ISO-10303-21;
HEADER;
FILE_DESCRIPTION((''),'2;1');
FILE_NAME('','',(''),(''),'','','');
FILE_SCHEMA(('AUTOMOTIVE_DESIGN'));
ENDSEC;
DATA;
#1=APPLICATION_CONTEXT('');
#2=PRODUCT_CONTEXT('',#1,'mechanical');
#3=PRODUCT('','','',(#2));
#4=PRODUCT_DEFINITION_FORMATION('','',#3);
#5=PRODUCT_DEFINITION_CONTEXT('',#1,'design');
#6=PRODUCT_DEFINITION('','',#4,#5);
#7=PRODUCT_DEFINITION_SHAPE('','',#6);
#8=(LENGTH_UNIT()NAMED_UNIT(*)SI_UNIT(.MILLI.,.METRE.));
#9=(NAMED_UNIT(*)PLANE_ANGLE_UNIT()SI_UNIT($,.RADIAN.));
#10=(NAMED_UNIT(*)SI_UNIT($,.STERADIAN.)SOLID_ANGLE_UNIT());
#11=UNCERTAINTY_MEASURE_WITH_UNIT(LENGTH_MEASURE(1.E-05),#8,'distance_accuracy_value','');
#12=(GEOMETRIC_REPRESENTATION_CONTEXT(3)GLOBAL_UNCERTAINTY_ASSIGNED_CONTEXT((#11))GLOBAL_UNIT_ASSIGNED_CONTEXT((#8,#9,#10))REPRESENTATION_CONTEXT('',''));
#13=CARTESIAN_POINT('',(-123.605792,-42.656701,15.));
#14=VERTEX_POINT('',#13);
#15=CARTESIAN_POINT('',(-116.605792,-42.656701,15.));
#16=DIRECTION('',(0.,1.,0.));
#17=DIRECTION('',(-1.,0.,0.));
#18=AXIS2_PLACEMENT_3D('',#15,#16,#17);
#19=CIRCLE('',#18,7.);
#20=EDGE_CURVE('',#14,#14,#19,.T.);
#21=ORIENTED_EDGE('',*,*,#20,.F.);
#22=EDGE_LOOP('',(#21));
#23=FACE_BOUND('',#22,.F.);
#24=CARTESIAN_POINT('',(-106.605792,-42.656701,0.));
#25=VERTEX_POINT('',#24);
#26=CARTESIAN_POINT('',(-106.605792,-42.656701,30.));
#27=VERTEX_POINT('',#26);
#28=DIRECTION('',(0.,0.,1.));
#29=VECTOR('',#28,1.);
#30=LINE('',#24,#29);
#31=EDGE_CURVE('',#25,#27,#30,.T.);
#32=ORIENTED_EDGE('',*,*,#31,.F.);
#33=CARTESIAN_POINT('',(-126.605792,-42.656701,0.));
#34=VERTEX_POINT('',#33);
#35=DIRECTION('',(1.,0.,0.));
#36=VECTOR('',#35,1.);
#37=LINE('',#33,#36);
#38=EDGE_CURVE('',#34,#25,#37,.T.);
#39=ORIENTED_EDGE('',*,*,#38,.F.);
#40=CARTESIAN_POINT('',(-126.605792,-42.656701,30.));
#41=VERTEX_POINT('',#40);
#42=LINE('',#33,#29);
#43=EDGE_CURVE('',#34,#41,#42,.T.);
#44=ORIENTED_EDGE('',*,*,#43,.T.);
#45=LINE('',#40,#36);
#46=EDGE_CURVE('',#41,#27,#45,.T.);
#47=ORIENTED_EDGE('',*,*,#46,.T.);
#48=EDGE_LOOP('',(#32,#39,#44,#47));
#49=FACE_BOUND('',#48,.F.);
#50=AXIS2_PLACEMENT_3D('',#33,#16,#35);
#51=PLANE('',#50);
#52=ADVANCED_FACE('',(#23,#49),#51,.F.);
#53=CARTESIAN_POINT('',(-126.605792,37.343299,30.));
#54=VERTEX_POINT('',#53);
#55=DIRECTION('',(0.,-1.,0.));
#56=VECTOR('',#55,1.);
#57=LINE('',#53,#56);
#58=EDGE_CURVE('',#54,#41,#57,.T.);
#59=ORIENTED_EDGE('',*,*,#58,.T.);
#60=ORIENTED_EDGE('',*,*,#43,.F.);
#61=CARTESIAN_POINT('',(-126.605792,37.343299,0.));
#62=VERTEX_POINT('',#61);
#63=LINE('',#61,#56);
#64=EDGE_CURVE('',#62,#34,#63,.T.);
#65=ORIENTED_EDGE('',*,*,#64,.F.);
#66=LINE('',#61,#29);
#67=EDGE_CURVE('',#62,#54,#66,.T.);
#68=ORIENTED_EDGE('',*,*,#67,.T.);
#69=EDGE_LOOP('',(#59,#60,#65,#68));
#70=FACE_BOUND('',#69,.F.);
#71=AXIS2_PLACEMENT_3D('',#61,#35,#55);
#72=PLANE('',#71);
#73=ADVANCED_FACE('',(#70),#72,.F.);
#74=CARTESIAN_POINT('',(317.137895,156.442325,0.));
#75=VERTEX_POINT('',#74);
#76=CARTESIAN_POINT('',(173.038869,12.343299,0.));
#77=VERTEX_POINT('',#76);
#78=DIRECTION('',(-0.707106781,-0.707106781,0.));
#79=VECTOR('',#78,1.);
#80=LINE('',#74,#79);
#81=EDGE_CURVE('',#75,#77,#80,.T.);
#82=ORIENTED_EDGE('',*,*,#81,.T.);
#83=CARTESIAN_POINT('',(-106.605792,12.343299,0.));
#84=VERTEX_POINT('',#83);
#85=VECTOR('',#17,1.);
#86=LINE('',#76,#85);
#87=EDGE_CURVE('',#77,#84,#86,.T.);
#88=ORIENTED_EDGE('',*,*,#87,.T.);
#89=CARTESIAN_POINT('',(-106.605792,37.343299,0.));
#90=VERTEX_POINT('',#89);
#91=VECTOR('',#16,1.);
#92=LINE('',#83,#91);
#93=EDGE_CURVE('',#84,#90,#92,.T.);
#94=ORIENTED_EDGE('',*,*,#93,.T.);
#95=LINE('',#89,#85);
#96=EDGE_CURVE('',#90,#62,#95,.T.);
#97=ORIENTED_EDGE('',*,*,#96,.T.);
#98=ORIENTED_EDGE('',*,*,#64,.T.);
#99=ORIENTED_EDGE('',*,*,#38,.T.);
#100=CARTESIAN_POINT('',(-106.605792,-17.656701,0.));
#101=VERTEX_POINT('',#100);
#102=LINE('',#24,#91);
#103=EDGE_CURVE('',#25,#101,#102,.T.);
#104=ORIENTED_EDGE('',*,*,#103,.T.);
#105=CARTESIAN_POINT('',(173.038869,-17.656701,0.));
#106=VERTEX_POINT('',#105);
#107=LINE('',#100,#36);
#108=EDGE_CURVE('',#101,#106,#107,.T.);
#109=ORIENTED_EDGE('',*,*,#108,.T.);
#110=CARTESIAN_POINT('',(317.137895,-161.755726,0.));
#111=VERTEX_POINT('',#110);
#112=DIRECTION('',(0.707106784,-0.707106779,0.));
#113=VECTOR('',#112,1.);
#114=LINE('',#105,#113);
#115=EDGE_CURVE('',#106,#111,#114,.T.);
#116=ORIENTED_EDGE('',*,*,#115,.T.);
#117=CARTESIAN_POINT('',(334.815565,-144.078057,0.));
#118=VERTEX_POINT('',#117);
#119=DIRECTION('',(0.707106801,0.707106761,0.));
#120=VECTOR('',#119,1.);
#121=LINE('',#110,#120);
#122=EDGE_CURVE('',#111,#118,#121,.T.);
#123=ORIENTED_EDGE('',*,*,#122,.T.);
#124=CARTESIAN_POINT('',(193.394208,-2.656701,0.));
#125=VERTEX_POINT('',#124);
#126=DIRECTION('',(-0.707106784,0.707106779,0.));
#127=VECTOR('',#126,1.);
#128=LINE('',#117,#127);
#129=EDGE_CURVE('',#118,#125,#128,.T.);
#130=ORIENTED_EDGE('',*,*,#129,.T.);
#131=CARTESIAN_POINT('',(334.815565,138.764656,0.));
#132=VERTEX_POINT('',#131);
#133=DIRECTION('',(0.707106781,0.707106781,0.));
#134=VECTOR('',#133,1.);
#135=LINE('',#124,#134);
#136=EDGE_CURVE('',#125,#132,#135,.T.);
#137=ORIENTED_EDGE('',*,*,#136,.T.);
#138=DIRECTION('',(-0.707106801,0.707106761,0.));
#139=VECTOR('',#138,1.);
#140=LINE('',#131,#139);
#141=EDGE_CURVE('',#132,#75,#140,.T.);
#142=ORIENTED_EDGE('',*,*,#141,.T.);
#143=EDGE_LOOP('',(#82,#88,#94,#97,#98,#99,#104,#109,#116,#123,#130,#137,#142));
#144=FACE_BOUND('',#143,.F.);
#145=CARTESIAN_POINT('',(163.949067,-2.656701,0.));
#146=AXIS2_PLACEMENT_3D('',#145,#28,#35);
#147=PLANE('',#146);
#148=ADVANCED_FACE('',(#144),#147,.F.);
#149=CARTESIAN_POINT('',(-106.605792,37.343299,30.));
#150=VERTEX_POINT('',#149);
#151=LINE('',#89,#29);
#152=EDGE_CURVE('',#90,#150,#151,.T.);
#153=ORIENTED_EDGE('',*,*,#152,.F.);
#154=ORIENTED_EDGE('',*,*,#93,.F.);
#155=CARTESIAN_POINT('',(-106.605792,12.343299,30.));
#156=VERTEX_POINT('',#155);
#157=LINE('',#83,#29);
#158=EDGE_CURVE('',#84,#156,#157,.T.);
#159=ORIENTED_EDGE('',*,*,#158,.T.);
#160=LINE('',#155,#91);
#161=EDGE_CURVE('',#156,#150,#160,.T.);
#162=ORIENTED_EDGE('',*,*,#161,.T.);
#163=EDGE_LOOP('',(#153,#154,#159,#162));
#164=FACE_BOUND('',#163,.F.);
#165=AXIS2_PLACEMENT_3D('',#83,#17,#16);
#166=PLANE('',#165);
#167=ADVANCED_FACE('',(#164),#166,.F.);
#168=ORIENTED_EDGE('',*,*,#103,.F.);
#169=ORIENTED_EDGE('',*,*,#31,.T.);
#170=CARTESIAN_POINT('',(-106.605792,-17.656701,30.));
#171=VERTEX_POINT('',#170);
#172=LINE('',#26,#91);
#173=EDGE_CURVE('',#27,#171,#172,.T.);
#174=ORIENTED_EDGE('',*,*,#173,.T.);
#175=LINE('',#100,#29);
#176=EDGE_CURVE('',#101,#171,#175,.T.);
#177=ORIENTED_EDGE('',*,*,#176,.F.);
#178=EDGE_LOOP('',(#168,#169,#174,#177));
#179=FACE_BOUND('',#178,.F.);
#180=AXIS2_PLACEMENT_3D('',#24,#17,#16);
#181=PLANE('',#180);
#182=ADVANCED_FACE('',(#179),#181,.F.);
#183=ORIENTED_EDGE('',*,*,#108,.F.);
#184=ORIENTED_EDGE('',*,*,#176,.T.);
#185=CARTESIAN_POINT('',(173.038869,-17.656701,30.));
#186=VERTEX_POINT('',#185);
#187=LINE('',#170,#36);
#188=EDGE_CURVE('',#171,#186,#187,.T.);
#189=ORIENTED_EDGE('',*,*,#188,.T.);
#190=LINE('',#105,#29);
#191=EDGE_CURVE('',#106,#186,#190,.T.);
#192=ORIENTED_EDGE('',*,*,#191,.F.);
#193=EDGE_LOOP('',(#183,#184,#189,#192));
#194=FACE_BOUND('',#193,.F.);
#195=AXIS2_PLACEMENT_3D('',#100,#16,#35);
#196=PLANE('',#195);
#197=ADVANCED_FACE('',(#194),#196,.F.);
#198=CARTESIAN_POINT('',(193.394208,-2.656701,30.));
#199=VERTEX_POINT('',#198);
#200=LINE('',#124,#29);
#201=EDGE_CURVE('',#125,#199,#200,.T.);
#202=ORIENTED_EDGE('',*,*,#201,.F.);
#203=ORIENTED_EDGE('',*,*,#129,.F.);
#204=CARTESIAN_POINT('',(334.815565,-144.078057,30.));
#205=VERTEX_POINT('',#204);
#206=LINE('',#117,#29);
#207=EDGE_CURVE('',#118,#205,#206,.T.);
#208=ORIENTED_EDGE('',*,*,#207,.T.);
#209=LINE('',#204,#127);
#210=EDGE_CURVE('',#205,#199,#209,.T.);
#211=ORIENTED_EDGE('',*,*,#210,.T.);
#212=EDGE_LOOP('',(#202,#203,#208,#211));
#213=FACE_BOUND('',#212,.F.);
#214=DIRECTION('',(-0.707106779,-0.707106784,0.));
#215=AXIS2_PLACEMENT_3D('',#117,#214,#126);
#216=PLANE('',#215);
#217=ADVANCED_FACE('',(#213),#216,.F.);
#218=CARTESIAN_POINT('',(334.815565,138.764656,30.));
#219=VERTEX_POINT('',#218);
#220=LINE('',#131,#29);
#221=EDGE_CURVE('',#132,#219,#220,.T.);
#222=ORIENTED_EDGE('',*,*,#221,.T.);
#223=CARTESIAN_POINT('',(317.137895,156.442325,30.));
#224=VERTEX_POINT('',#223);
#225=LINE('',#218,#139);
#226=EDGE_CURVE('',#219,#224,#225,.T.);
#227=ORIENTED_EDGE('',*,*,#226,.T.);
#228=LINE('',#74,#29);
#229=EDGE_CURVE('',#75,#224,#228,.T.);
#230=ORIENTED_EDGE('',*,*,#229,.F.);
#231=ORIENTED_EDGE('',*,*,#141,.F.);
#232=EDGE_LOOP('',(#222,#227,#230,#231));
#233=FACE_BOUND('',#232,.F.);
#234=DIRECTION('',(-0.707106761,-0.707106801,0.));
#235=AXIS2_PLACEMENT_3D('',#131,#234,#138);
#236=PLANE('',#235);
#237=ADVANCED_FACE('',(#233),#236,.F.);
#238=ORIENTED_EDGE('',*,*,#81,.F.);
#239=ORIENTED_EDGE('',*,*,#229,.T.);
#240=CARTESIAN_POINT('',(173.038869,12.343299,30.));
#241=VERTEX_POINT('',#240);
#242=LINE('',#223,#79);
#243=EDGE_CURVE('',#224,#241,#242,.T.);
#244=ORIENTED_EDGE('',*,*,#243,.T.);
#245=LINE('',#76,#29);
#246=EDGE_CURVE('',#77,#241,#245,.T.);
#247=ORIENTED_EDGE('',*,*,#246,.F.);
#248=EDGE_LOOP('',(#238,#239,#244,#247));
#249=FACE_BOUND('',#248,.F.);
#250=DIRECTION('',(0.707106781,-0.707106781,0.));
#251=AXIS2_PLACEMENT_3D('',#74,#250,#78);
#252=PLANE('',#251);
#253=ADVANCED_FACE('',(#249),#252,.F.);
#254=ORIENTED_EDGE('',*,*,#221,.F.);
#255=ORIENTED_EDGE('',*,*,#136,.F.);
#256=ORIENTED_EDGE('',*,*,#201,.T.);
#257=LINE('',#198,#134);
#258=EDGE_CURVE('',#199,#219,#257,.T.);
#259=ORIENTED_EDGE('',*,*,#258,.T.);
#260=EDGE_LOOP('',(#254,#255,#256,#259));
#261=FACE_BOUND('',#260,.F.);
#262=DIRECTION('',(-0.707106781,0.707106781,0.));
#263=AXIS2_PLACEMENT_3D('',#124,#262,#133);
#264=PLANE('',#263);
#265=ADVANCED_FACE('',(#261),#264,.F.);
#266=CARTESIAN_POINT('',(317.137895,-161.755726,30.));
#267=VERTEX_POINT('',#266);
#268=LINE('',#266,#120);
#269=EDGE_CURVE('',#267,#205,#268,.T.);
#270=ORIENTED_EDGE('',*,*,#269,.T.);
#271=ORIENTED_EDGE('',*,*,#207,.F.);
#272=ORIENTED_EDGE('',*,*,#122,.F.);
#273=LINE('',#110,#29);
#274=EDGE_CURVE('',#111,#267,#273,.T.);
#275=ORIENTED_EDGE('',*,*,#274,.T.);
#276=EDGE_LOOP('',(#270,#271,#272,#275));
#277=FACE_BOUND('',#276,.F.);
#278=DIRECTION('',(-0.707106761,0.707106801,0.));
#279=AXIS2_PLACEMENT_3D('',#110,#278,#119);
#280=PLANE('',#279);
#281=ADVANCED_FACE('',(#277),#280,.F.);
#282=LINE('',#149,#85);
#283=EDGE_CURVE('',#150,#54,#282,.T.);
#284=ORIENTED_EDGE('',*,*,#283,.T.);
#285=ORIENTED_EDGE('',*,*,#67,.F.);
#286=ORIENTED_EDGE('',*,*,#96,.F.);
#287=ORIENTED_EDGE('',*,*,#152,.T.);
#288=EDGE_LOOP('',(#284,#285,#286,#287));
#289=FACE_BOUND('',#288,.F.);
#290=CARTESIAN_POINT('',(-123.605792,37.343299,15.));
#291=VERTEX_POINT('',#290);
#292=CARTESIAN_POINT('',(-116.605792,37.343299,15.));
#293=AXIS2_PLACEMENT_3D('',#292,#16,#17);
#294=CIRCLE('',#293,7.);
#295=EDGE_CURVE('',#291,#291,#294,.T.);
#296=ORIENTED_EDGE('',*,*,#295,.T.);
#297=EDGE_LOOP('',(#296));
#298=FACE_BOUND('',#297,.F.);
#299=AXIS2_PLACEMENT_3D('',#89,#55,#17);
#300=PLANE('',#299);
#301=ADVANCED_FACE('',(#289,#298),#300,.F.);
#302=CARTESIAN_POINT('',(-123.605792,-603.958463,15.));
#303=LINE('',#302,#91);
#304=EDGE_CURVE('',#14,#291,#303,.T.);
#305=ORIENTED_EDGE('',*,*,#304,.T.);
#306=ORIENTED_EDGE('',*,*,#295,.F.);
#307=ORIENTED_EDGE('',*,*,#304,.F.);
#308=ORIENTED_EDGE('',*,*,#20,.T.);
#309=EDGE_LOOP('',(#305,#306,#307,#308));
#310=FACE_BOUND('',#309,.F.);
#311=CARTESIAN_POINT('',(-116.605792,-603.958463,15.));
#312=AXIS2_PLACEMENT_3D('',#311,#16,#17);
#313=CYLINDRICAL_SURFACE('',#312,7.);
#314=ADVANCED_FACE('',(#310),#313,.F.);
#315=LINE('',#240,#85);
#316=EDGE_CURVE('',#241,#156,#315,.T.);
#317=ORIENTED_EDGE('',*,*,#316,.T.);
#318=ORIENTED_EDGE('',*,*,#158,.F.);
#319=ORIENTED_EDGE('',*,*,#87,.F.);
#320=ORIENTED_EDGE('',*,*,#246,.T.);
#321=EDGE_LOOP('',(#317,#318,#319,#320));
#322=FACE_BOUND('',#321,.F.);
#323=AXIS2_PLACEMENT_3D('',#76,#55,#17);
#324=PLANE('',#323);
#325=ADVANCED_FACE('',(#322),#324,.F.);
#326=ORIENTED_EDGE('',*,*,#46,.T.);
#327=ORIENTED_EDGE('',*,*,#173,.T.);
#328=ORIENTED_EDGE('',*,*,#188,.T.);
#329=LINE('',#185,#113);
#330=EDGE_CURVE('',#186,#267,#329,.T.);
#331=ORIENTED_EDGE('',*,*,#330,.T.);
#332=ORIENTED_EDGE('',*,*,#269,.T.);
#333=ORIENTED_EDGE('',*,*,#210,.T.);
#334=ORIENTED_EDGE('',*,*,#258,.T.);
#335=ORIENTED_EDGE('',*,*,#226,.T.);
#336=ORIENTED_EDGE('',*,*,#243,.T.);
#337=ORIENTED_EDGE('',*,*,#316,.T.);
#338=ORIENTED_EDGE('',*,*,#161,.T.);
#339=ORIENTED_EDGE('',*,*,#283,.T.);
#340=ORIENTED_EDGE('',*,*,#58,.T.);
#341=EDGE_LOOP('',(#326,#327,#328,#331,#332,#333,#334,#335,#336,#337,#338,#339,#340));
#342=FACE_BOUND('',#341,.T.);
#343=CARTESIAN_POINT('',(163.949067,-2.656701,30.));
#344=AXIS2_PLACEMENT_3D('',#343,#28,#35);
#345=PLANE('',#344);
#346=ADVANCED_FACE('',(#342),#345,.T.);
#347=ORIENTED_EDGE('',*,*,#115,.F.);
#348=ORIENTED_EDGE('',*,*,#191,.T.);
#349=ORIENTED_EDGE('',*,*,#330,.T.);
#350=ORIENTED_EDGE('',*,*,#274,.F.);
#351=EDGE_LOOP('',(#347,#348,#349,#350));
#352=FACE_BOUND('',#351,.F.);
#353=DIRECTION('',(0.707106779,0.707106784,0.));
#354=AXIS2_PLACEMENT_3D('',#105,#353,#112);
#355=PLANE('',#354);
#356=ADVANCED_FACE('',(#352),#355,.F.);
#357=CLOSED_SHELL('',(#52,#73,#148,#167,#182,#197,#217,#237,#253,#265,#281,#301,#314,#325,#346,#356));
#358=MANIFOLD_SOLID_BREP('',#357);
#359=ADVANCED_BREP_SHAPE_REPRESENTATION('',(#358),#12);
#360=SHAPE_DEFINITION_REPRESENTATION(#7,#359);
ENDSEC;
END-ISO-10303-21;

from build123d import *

# Parameters (mm, degrees)
F1_DEPTH = 30
F3_D     = 14


with BuildPart() as f1:
    # F0 (on Top) → F1 (new body)
    with BuildSketch(Plane.XY):
        Polygon((173.038869, 12.343299), (-106.605792, 12.343299), (-106.605792, -17.656701), (173.038869, -17.656701), (317.137895, -161.755726), (334.815565, -144.078057), (193.394208, -2.656701), (334.815565, 138.764656), (317.137895, 156.442325), align=None)
        Polygon((-106.605792, -17.656701), (-106.605792, 12.343299), (-106.605792, 37.343299), (-126.605792, 37.343299), (-126.605792, -42.656701), (-106.605792, -42.656701), align=None)
    extrude(amount=F1_DEPTH)

    # F3 (through all)
    with Locations(Plane.XZ.offset(42.656701)):
        with Locations((-116.605792, 15)):
            Hole(F3_D / 2)


solid = f1.part
